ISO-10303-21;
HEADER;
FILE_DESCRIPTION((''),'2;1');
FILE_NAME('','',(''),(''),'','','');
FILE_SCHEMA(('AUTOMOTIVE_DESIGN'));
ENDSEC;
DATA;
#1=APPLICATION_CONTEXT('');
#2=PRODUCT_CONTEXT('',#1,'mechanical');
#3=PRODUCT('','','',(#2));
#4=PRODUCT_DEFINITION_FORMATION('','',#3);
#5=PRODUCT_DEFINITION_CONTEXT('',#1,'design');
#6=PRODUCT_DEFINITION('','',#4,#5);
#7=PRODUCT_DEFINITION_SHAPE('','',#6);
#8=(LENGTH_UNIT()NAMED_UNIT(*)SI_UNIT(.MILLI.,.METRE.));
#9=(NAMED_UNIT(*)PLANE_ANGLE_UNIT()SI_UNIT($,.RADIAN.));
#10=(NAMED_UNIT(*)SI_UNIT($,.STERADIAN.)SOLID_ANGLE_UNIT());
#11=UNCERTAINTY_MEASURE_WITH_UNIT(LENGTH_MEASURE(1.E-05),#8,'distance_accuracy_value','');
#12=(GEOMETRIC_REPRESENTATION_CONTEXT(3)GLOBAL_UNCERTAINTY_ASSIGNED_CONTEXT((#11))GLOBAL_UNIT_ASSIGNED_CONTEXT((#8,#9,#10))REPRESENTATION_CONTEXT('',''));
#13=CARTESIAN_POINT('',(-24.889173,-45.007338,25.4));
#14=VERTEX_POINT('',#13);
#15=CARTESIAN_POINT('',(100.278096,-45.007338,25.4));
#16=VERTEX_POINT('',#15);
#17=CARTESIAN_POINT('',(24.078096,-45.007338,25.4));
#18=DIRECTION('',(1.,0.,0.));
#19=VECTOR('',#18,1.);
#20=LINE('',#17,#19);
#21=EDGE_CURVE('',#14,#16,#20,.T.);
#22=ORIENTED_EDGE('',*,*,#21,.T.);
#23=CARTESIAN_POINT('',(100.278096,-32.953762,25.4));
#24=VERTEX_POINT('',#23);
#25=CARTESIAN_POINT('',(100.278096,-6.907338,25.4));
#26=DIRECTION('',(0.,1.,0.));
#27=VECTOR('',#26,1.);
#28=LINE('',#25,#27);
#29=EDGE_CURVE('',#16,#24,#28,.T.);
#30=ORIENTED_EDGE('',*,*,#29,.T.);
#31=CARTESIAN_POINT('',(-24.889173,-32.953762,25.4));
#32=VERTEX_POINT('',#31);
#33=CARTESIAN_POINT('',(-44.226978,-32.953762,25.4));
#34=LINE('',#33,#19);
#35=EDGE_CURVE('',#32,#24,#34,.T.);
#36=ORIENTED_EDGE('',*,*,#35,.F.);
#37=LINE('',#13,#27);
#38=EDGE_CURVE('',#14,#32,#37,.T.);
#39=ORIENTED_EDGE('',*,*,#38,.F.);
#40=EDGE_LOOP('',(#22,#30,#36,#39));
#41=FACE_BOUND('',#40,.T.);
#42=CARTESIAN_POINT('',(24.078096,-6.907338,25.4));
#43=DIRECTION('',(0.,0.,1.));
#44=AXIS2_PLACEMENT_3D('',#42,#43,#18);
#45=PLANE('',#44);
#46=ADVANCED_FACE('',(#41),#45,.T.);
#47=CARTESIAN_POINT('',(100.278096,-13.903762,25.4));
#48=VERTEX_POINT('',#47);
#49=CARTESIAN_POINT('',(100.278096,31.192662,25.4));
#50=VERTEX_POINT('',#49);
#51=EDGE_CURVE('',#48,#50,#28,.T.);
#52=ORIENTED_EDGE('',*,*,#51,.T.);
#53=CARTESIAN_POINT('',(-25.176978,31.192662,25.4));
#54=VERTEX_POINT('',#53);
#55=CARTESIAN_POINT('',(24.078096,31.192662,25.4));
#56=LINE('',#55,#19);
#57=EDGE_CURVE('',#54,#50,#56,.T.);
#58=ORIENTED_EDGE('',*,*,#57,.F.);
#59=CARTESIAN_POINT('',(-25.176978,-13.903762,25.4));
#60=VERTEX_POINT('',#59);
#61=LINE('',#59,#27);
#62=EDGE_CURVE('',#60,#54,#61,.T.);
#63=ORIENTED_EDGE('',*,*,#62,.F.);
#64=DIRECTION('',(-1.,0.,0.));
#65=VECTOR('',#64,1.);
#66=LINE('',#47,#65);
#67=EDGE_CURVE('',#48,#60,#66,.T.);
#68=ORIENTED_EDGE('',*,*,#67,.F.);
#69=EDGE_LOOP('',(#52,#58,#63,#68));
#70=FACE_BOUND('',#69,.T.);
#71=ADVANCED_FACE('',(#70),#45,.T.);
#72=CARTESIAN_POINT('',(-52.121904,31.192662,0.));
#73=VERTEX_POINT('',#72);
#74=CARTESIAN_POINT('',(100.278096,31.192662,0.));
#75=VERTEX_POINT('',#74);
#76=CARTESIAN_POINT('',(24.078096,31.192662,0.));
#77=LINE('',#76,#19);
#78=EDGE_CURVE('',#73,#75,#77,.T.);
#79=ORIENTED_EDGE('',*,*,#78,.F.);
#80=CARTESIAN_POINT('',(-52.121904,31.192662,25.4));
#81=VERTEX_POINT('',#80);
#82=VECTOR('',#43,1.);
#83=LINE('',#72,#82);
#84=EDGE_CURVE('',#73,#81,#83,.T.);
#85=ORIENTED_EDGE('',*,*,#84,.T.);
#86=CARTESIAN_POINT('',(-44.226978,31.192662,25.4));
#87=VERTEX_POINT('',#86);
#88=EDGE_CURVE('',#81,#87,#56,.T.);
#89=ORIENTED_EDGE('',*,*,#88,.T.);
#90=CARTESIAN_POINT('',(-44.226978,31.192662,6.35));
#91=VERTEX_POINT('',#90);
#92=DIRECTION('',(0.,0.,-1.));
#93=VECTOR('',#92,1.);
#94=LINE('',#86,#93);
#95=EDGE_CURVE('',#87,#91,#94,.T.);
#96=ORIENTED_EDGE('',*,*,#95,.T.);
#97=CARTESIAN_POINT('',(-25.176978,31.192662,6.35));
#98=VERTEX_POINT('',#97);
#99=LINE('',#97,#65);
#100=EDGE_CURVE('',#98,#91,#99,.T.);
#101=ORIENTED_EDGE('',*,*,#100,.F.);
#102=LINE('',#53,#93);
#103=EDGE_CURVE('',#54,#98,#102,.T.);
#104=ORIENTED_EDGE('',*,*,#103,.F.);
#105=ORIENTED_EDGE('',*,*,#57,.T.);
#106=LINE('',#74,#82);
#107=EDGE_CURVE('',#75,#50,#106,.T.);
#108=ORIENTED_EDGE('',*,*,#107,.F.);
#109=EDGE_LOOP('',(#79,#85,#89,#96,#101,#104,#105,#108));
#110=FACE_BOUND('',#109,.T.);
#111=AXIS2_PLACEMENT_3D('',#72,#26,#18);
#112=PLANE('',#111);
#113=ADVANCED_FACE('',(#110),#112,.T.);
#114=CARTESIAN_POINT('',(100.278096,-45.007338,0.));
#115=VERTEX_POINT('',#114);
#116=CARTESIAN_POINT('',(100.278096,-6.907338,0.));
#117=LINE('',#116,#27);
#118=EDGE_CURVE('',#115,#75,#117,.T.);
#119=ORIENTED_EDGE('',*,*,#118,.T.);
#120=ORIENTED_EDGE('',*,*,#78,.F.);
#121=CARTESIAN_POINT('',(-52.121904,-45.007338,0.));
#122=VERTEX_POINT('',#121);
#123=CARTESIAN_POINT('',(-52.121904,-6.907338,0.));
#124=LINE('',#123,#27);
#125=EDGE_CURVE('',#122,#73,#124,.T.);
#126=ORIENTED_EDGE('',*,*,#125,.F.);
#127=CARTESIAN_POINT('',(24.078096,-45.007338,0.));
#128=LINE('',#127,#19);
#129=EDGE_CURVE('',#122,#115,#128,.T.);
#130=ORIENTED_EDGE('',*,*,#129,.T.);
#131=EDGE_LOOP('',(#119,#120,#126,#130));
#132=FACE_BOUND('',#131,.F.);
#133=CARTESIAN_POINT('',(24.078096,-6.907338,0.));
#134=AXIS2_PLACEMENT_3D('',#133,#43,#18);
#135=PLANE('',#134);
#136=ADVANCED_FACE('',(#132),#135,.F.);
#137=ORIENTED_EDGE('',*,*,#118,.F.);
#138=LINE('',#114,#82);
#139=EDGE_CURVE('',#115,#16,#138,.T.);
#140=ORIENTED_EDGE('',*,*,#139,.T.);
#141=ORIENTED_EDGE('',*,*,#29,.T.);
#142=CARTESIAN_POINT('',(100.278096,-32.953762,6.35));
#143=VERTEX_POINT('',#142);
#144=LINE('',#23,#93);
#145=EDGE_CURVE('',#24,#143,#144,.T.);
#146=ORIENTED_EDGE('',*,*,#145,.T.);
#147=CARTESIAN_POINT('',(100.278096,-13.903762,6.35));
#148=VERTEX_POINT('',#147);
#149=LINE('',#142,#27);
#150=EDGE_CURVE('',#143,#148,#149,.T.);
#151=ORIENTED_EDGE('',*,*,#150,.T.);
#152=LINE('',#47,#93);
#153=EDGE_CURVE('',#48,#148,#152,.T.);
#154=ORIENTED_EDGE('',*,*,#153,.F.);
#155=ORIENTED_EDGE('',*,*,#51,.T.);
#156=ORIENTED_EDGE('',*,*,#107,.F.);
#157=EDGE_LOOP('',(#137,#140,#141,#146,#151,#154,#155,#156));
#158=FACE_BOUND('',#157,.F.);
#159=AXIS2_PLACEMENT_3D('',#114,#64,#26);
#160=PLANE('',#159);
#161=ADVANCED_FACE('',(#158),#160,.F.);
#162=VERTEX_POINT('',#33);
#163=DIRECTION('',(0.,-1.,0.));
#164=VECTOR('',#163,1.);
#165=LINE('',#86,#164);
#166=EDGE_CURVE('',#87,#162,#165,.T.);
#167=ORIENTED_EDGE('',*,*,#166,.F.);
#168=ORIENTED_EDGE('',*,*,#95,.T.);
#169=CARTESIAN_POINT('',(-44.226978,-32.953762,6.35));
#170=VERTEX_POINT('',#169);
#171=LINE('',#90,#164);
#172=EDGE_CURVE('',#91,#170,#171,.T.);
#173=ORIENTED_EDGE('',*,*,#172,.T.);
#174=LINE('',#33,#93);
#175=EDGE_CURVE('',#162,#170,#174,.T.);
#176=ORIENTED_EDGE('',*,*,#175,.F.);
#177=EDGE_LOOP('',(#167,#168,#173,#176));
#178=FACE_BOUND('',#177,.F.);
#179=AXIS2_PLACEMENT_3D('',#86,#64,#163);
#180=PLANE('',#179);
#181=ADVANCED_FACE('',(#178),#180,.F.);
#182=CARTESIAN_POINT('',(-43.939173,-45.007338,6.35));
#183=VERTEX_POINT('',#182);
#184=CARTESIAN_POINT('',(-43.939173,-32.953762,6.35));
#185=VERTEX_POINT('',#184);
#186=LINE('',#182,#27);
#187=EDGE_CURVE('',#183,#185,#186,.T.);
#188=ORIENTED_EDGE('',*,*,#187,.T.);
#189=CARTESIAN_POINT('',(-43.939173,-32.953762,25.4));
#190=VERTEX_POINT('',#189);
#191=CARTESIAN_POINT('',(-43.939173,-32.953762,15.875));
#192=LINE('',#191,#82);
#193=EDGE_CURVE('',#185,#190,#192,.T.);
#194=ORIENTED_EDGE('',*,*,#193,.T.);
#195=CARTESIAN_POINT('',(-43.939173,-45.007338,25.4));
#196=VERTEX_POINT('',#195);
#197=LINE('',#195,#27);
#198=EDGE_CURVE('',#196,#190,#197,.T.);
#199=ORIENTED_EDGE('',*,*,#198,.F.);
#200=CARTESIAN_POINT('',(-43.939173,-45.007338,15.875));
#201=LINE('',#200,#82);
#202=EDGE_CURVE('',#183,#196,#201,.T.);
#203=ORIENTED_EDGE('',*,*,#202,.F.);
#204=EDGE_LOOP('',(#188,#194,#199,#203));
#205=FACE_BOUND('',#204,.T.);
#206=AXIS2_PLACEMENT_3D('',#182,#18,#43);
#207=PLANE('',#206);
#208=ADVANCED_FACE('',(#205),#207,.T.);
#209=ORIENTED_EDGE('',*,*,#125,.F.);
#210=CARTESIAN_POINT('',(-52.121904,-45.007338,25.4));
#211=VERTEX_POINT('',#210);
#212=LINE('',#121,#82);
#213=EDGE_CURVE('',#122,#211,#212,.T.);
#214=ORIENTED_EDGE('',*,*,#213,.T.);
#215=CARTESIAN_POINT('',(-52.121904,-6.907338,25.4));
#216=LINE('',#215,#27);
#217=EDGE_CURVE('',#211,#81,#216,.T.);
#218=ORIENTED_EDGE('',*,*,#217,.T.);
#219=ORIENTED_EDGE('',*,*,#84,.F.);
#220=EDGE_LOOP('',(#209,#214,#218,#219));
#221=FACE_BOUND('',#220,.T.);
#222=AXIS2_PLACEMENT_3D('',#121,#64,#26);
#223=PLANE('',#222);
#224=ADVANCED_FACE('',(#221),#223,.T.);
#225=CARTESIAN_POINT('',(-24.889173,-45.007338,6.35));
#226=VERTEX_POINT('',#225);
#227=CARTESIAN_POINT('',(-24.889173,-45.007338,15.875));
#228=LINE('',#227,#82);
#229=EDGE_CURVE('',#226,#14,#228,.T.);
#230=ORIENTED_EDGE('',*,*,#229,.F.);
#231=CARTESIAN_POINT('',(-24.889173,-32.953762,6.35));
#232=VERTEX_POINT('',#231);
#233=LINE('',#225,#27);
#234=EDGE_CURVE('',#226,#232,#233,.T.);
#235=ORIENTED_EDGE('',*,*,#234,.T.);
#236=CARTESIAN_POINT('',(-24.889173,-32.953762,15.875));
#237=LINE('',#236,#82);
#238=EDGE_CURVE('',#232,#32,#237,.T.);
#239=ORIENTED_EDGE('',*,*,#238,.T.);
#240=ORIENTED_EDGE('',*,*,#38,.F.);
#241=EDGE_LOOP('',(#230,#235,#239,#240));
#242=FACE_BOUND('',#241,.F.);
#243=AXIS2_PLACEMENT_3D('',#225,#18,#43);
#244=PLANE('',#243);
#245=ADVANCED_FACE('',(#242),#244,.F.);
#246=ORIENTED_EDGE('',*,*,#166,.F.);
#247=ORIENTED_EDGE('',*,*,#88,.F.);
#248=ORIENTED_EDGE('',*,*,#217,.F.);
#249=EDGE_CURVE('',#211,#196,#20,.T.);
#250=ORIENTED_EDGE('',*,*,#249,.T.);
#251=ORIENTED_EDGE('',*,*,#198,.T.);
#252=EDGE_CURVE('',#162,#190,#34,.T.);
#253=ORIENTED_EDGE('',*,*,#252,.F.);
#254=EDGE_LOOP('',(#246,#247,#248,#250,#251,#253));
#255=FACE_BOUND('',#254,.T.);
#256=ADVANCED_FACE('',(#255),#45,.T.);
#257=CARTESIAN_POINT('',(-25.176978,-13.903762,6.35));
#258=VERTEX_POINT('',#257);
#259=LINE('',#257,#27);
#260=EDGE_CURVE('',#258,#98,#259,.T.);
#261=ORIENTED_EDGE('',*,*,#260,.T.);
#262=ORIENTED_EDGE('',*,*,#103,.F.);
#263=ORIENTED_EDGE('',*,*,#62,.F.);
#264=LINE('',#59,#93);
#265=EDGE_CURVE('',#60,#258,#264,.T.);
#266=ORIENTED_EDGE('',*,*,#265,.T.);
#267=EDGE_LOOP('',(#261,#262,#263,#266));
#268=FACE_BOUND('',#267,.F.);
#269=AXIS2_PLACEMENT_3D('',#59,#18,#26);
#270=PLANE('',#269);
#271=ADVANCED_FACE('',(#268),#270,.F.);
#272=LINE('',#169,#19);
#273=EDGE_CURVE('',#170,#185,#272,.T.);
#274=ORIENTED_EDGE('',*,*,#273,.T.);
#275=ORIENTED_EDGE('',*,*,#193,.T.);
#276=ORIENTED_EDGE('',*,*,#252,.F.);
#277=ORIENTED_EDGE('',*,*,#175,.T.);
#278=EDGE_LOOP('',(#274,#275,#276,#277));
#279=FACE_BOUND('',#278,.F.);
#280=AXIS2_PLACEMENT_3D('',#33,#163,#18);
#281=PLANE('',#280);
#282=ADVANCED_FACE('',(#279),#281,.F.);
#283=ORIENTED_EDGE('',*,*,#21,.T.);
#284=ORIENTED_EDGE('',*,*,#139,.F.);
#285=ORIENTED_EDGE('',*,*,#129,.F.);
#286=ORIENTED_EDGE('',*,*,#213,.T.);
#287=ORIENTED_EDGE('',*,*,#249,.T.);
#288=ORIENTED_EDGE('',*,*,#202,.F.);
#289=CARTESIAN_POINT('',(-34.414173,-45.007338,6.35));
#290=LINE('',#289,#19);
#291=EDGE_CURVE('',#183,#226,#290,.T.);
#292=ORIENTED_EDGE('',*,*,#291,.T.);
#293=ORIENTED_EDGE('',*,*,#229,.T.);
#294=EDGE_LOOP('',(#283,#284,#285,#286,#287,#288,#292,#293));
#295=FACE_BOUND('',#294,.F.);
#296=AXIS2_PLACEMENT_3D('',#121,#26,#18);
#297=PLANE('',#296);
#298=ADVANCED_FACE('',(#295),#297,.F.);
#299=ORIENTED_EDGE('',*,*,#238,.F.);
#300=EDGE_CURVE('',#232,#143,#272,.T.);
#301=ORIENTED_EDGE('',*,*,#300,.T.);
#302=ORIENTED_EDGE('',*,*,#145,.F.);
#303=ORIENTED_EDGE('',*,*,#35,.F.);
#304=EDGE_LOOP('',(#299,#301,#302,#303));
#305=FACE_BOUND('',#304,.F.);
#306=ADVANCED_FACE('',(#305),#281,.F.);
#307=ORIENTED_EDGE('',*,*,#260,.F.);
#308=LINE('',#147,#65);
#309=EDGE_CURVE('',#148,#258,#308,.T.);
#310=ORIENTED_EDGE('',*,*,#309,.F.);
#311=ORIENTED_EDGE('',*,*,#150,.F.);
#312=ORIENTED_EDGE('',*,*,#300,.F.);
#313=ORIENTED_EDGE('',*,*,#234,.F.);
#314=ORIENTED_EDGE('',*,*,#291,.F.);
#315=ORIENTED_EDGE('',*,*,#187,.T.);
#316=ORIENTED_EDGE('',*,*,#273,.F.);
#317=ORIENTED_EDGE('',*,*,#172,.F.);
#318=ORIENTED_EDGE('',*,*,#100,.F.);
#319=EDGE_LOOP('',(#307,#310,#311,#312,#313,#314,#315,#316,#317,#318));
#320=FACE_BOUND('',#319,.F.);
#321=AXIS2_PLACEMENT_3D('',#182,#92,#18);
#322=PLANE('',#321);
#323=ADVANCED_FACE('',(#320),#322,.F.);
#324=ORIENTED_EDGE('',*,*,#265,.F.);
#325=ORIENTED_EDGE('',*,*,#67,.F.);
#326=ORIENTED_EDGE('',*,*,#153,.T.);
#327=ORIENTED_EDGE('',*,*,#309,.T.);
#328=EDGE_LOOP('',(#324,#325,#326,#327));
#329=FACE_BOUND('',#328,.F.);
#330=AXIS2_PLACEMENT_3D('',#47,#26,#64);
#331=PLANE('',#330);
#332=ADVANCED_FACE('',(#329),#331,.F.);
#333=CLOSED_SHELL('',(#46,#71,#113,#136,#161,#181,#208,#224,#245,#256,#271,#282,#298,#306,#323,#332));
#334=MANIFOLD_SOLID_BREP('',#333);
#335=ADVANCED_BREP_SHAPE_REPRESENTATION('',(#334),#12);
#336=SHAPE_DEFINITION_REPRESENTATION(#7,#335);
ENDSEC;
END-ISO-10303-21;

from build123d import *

# Parameters (mm, degrees)
F0_W     = 152.4
F0_H     = 76.2
F1_DEPTH = 25.4
F3_DEPTH = 19.05
F4_W     = 19.05
F4_H     = 19.05
F5_DEPTH = 12.192


with BuildPart() as f1:
    # F0 (on Top) → F1 (new body)
    with BuildSketch(Plane.XY):
        with Locations((24.078096, -6.907338)):
            Rectangle(F0_W, F0_H)
    extrude(amount=F1_DEPTH)

    # F2 (on face) → F3 (cut)
    with BuildSketch(Plane.XY.offset(25.4)):
        Polygon((-25.176978, 31.192662), (-44.226978, 31.192662), (-44.226978, -32.953762), (100.278096, -32.953762), (100.278096, -13.903762), (-25.176978, -13.903762), align=None)
    extrude(amount=-F3_DEPTH, mode=Mode.SUBTRACT)

    # F4 (on face) → F5 (cut)
    with BuildSketch(Plane.XZ.offset(45.007338)):
        with Locations((-34.414173, 15.875)):
            Rectangle(F4_W, F4_H)
    extrude(amount=-F5_DEPTH, mode=Mode.SUBTRACT)


solid = f1.part
